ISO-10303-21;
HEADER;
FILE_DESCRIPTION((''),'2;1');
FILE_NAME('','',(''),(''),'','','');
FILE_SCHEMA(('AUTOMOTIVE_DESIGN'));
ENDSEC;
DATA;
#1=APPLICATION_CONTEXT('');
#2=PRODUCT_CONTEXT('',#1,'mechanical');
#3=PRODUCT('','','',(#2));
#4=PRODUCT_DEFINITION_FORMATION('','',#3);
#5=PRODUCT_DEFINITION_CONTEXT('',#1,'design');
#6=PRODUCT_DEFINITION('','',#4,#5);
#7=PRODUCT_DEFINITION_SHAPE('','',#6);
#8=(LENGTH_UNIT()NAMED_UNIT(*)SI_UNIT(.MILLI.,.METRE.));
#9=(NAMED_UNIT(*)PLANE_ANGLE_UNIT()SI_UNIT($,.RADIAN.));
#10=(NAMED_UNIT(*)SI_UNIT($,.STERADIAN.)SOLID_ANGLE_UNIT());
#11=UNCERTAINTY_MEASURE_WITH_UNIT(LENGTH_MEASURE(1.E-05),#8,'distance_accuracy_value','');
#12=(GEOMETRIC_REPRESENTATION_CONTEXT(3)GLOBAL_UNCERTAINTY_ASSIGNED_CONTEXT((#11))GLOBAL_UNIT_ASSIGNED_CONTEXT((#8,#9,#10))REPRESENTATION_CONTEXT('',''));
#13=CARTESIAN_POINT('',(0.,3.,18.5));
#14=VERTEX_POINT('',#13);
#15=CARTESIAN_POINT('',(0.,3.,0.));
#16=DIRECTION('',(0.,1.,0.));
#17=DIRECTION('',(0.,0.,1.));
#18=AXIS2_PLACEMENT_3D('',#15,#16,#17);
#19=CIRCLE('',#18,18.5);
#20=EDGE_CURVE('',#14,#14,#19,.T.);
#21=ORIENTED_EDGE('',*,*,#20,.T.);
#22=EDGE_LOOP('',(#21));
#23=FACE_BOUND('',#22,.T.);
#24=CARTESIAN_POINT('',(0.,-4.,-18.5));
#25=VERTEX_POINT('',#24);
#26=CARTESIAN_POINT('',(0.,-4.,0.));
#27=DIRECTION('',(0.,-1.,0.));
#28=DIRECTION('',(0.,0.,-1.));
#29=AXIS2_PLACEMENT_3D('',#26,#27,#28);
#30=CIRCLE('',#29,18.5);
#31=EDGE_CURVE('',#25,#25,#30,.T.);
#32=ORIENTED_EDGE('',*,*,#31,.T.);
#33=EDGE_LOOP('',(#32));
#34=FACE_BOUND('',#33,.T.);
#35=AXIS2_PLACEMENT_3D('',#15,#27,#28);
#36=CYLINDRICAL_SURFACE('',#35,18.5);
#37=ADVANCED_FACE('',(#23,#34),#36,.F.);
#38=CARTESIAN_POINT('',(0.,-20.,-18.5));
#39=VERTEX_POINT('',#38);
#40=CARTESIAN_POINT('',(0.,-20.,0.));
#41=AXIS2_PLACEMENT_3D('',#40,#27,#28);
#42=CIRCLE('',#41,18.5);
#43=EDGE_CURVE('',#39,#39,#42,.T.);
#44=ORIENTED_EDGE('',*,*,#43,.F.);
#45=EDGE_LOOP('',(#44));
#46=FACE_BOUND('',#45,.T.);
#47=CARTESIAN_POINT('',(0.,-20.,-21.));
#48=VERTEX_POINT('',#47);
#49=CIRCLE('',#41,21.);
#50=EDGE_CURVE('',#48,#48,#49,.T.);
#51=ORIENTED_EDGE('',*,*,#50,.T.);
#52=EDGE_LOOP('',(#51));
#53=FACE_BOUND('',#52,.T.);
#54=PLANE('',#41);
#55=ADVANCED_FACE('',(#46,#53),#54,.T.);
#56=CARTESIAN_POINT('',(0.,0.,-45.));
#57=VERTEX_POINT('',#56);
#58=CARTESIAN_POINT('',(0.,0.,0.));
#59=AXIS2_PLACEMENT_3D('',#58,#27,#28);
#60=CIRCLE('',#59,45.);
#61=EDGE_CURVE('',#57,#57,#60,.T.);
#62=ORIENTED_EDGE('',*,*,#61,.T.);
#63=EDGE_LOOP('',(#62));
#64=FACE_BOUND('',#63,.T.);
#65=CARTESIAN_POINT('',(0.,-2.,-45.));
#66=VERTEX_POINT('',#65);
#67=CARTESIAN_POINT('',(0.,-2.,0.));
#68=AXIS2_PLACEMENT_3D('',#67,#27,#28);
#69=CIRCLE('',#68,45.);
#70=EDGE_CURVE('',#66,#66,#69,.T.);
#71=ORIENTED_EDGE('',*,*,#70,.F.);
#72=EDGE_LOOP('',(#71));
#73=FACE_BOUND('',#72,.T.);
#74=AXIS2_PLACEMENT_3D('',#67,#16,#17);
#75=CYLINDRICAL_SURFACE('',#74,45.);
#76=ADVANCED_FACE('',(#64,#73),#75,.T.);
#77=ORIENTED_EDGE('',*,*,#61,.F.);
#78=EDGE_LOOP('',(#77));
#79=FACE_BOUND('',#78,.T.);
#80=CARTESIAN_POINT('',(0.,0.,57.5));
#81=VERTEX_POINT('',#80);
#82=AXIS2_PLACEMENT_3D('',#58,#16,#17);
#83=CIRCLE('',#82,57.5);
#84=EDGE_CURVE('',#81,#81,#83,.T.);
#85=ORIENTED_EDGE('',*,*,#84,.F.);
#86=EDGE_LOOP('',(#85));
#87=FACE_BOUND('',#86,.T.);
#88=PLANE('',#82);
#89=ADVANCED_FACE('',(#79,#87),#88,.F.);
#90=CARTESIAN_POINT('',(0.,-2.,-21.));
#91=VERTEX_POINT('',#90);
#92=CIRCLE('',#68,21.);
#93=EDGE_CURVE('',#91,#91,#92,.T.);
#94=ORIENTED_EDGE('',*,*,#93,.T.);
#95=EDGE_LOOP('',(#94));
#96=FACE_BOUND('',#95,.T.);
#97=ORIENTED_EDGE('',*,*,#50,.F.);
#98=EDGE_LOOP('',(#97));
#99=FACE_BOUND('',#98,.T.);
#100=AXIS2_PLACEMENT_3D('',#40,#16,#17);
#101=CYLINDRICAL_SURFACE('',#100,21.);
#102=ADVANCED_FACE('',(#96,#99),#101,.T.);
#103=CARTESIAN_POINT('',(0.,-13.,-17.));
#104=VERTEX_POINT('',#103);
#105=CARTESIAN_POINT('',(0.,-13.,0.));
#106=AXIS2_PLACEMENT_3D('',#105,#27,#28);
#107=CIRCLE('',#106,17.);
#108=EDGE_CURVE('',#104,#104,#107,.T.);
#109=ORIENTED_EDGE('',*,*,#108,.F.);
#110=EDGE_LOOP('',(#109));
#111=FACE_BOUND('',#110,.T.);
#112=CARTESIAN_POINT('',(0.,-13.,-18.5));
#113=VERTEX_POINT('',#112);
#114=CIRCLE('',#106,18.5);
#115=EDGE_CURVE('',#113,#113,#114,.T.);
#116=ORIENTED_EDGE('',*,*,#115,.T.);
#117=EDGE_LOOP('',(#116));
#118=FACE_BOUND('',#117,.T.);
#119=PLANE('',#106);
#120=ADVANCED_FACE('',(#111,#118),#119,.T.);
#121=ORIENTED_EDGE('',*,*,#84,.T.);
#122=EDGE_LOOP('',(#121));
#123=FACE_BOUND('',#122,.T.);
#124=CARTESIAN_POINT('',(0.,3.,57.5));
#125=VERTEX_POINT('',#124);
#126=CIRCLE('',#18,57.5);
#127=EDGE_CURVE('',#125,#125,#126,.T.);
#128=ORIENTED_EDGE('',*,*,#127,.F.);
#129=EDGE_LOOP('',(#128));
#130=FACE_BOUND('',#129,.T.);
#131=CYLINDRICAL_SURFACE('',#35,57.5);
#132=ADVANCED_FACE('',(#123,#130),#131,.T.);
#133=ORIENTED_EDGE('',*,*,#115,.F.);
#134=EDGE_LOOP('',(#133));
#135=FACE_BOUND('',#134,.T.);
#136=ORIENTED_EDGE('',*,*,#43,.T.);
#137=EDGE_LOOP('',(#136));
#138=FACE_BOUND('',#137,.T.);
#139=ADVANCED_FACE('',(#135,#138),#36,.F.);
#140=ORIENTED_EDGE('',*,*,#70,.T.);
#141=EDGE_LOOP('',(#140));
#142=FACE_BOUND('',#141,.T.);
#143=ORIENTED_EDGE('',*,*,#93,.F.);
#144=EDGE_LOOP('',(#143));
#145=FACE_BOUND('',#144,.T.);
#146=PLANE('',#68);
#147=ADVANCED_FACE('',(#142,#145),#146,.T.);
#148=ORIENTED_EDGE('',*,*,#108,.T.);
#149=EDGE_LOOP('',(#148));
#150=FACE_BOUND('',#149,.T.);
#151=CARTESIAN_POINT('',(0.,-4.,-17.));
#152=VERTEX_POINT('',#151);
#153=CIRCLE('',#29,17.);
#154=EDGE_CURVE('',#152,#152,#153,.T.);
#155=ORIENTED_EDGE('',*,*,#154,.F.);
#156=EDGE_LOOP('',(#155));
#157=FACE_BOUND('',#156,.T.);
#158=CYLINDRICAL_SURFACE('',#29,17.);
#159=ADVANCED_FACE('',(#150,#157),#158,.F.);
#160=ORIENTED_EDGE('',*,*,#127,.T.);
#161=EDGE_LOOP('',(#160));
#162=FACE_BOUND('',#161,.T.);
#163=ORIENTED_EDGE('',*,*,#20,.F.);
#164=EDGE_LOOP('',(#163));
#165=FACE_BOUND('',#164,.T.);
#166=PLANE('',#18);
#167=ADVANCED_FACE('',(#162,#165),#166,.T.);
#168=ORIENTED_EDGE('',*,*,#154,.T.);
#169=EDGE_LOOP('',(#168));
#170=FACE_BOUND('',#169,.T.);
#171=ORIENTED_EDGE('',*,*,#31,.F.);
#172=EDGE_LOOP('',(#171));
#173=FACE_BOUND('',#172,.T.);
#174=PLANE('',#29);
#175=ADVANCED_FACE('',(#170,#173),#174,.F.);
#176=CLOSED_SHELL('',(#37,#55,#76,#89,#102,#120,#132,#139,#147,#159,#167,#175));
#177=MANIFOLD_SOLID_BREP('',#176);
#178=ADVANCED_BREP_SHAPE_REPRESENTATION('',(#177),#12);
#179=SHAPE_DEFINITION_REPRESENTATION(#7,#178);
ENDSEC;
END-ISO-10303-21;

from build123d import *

# Parameters (mm, degrees)
SKETCH1_R           = 57.5
SKETCH1_R_2         = 18.5
BOSS_EXTRUDE1_DEPTH = 3
BOSS_EXTRUDE2_START = 2
SKETCH2_R           = 45
SKETCH2_R_2         = 18.5
BOSS_EXTRUDE2_DEPTH = 2
BOSS_EXTRUDE3_START = 18
SKETCH3_R           = 21
SKETCH3_R_2         = 18.5
BOSS_EXTRUDE3_DEPTH = 18
BOSS_EXTRUDE4_START = -7
SKETCH4_R           = 18.5
SKETCH4_R_2         = 17
BOSS_EXTRUDE4_DEPTH = 9


with BuildPart() as part:
    # Sketch1 → Boss-Extrude1 (new body)
    with BuildSketch(Plane(origin=(0, 0, 0), x_dir=(1, 0, 0), z_dir=(0, 1, 0))):
        Circle(SKETCH1_R)
        Circle(SKETCH1_R_2, mode=Mode.SUBTRACT)
    extrude(amount=BOSS_EXTRUDE1_DEPTH)

    # Sketch2 → Boss-Extrude2 (add)
    with BuildSketch(Plane.XZ.offset(BOSS_EXTRUDE2_START)):
        Circle(SKETCH2_R)
        Circle(SKETCH2_R_2, mode=Mode.SUBTRACT)
    extrude(amount=-BOSS_EXTRUDE2_DEPTH)

    # Sketch3 → Boss-Extrude3 (add)
    with BuildSketch(Plane.XZ.offset(2).offset(BOSS_EXTRUDE3_START)):
        Circle(SKETCH3_R)
        Circle(SKETCH3_R_2, mode=Mode.SUBTRACT)
    extrude(amount=-BOSS_EXTRUDE3_DEPTH)

    # Sketch4 → Boss-Extrude4 (add)
    with BuildSketch(Plane.XZ.offset(20).offset(BOSS_EXTRUDE4_START)):
        Circle(SKETCH4_R)
        Circle(SKETCH4_R_2, mode=Mode.SUBTRACT)
    extrude(amount=-BOSS_EXTRUDE4_DEPTH)


solid = part.part
